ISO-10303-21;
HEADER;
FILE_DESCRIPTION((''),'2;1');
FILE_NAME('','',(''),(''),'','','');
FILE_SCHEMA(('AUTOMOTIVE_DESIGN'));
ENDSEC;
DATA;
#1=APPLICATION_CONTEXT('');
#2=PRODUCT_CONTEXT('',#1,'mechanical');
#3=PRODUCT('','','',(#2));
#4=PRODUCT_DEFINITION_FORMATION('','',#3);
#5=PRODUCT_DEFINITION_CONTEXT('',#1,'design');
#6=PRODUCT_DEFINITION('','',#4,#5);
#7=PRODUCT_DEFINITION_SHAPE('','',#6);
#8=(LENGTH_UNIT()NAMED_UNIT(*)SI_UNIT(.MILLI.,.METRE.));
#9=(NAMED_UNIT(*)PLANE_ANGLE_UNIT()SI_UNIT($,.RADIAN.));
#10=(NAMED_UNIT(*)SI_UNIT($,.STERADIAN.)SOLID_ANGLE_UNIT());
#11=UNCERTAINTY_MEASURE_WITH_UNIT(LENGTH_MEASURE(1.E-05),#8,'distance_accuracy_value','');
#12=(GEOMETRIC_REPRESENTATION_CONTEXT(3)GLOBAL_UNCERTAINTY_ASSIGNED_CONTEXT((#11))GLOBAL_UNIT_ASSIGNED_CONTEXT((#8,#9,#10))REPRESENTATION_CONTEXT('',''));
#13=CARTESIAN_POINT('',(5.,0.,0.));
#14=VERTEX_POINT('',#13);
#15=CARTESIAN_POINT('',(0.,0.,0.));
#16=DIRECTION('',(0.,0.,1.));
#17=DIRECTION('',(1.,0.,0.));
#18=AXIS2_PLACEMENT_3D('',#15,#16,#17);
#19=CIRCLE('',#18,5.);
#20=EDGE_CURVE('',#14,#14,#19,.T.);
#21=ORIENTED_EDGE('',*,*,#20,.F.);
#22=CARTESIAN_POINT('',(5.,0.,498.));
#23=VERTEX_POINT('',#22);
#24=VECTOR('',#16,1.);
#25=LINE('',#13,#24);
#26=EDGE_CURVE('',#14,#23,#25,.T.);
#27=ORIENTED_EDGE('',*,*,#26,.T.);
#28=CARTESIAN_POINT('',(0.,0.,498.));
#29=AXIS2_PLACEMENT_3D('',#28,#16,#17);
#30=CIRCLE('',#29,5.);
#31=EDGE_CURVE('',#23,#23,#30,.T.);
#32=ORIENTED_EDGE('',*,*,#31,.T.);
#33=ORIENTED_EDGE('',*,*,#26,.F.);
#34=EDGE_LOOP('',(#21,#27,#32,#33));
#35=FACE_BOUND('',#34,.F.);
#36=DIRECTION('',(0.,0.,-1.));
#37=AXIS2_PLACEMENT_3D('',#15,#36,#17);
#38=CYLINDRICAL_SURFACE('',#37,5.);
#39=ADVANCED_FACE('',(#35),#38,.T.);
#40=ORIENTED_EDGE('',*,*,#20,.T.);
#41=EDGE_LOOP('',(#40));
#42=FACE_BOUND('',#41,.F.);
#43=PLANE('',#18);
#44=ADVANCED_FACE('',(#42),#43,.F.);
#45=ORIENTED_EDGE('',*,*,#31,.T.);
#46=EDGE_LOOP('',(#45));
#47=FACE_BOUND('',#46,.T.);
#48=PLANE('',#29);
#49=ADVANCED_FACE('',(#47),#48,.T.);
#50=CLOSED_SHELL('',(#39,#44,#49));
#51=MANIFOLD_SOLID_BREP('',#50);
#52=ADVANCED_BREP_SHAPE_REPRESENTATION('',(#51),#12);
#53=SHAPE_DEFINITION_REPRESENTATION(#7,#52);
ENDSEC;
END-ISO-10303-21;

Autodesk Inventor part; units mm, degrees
ref_plane "YZ Plane" through (0, 0, 0) normal (1, 0, 0) x (0, 1, 0)
ref_plane "XZ Plane" through (0, 0, 0) normal (0, 1, 0) x (-1, 0, 0)
ref_plane "XY Plane" through (0, 0, 0) normal (0, 0, 1) x (1, 0, 0)
sketch "Skizze1" plane through (0, 0, 0) normal (0, 0, 1) x (1, 0, 0)
  circle A0 centre (0, 0) radius 5
  dimension "d0" = 10
extrude "Extrusion1" add sketch "Skizze1" along normal blind 498
properties part number "Stange_SCHIEBER" material "Stahl, unlegiert"
